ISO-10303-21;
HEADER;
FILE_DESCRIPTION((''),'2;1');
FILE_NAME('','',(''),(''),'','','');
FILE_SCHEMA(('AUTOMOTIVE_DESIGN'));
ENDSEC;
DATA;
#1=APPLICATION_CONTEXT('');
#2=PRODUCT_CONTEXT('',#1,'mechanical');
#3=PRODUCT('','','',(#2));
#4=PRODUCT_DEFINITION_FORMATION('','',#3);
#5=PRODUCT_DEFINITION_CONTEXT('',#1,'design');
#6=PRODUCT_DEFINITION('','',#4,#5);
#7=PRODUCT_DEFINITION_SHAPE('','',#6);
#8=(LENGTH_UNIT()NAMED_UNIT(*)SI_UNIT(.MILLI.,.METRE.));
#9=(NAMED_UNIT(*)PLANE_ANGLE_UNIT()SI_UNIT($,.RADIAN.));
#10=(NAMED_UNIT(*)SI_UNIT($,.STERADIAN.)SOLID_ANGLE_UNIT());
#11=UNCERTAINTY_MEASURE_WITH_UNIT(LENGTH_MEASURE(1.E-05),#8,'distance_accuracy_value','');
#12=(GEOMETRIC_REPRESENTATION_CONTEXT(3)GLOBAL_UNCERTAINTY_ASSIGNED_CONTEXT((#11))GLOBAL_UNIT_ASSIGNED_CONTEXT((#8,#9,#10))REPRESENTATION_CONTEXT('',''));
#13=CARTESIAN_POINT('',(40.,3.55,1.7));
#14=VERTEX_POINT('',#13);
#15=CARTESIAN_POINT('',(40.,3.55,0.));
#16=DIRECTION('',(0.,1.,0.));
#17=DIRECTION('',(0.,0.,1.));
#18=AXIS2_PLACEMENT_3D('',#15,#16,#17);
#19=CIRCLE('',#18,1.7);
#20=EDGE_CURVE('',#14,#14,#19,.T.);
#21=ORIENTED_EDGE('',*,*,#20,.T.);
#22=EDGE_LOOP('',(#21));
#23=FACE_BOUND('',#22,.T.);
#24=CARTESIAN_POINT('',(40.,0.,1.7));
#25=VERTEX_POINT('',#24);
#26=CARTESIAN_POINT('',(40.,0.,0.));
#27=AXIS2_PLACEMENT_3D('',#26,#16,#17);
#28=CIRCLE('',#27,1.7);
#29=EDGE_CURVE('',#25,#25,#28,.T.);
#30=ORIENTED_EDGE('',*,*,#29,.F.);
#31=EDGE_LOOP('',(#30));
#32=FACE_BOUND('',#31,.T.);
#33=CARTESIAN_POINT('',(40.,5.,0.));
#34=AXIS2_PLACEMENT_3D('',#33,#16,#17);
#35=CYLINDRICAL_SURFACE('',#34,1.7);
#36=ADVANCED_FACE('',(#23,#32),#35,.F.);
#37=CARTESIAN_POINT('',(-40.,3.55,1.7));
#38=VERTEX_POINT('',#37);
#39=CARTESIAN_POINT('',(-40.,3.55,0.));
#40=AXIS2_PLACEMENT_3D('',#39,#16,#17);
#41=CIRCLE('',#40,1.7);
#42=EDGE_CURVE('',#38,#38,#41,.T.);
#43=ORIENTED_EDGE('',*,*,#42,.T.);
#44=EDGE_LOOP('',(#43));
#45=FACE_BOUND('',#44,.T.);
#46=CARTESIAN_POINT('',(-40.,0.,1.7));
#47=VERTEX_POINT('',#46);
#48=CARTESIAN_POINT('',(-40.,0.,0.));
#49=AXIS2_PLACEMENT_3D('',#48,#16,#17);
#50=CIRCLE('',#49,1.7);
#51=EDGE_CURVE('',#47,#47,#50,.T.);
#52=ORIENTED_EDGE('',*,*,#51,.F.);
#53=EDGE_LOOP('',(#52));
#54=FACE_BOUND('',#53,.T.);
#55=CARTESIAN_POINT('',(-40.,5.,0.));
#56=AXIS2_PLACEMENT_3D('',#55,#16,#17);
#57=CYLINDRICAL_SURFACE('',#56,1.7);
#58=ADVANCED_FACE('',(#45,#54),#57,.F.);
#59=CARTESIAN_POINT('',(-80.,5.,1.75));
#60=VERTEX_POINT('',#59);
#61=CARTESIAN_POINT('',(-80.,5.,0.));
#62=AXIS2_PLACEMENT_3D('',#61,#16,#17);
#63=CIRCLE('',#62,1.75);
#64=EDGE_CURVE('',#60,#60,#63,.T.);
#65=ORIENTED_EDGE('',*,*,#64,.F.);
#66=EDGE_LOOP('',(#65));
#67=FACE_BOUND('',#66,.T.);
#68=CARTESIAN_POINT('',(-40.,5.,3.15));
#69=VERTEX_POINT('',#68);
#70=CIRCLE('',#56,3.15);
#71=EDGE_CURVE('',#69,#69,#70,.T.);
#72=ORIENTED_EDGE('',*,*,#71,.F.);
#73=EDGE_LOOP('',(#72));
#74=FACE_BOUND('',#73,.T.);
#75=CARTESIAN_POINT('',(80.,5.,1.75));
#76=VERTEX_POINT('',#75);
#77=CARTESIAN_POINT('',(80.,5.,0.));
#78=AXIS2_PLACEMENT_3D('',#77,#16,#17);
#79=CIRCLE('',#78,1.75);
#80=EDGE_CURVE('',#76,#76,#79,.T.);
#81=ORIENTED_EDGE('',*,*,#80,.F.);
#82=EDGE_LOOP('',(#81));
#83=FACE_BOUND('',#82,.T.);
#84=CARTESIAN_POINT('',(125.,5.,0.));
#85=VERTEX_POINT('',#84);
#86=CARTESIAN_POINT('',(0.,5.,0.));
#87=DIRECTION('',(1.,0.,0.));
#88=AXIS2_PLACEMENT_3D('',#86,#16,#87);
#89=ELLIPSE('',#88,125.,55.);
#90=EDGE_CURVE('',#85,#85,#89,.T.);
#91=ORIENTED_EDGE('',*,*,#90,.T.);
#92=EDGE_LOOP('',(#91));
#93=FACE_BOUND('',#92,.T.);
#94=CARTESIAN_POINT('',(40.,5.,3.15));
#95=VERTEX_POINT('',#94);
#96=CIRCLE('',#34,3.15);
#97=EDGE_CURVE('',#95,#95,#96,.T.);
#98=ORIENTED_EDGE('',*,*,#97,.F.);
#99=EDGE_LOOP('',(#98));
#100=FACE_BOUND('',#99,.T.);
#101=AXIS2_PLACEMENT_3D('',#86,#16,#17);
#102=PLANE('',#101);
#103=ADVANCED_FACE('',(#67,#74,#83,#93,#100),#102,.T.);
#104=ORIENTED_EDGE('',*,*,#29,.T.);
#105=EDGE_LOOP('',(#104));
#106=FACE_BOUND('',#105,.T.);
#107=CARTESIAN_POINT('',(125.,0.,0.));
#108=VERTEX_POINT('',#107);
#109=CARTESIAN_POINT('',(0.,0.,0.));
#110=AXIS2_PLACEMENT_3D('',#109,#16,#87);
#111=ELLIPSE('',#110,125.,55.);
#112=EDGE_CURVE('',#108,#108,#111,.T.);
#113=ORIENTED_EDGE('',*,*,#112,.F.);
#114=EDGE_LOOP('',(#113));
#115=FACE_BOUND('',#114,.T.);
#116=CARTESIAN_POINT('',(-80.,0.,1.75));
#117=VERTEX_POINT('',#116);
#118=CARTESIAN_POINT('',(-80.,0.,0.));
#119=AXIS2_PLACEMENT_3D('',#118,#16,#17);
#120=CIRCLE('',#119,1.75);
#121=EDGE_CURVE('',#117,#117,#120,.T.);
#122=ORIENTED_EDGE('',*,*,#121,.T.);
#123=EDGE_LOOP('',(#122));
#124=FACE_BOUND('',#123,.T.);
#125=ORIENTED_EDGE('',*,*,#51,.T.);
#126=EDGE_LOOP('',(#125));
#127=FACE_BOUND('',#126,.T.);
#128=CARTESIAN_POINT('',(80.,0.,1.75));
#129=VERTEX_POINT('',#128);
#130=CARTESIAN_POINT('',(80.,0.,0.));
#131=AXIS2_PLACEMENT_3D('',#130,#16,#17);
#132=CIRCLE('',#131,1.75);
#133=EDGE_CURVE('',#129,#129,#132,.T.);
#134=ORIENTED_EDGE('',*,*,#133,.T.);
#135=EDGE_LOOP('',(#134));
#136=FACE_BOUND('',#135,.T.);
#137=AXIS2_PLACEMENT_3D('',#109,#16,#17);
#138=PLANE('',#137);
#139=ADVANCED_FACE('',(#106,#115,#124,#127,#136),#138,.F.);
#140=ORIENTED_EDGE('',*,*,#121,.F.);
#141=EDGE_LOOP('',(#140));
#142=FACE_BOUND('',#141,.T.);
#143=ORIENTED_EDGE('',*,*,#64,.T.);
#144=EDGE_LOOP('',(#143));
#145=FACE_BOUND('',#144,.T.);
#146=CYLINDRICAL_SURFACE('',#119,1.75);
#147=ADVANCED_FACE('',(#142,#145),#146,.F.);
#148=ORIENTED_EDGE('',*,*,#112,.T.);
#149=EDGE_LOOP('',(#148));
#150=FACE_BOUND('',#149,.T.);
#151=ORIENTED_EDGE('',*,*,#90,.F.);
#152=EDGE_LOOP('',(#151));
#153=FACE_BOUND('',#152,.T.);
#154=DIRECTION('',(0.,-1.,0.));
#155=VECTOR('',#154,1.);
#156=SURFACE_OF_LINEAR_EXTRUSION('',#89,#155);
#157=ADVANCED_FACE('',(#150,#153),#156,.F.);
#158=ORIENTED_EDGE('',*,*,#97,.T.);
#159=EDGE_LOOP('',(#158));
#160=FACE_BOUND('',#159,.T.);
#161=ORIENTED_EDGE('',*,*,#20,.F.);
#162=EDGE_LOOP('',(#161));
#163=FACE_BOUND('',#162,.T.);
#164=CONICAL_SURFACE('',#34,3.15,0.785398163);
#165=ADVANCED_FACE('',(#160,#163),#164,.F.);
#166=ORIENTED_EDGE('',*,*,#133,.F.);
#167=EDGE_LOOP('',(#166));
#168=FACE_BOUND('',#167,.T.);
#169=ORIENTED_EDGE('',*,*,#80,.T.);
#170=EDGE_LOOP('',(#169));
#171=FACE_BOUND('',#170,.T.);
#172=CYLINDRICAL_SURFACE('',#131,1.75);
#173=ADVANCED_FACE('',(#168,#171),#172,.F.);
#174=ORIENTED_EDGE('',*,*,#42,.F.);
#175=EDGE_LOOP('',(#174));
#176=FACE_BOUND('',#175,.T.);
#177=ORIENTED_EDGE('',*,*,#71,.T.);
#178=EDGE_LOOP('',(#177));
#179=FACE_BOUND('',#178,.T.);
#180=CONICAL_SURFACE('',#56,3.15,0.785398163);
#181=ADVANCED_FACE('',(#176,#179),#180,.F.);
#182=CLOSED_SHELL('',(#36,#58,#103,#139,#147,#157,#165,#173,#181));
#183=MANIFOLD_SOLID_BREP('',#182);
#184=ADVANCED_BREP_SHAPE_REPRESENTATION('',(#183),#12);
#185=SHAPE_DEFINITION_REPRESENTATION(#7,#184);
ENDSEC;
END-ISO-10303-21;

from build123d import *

# Parameters (mm, degrees)
SKETCH_1_RX                  = 125
SKETCH_1_RY                  = 55
EXTRUDE_1_DEPTH              = 5
HOLE_WIZARD_M3_1_D           = 3.4
HOLE_WIZARD_M3_1_CSINK_D     = 6.3
HOLE_WIZARD_M3_1_CSINK_ANGLE = 90
SKETCH_8_R                   = 1.75
CUT_EXTRUDE_1_DEPTH          = 137.656503687


with BuildPart() as part:
    # ｽｹｯﾁ1 → ﾎﾞｽ - 押し出し1 (new body)
    with BuildSketch(Plane(origin=(0, 0, 0), x_dir=(1, 0, 0), z_dir=(0, 1, 0))):
        with Locations((0, 0)):
            Ellipse(SKETCH_1_RX, SKETCH_1_RY)
    extrude(amount=EXTRUDE_1_DEPTH)

    # M3 丸皿小ねじ用皿穴1 (through all)
    with Locations(Plane(origin=(0, 5, 0), x_dir=(-1, 0, 0), z_dir=(0, 1, 0))):
        with Locations((40, 0), (-40, 0)):
            CounterSinkHole(HOLE_WIZARD_M3_1_D / 2, HOLE_WIZARD_M3_1_CSINK_D / 2, counter_sink_angle=HOLE_WIZARD_M3_1_CSINK_ANGLE)

    # ｽｹｯﾁ8 → ｶｯﾄ - 押し出し1 (cut, through all)
    with BuildSketch(Plane(origin=(0, 5, 0), x_dir=(1, 0, 0), z_dir=(0, 1, 0))):
        with Locations(Location((-80, 0, 0), (0, 0, 270))):
            Circle(SKETCH_8_R)
        with Locations(Location((80, 0, 0), (0, 0, 270))):
            Circle(SKETCH_8_R)
    extrude(amount=-CUT_EXTRUDE_1_DEPTH, mode=Mode.SUBTRACT)


solid = part.part
